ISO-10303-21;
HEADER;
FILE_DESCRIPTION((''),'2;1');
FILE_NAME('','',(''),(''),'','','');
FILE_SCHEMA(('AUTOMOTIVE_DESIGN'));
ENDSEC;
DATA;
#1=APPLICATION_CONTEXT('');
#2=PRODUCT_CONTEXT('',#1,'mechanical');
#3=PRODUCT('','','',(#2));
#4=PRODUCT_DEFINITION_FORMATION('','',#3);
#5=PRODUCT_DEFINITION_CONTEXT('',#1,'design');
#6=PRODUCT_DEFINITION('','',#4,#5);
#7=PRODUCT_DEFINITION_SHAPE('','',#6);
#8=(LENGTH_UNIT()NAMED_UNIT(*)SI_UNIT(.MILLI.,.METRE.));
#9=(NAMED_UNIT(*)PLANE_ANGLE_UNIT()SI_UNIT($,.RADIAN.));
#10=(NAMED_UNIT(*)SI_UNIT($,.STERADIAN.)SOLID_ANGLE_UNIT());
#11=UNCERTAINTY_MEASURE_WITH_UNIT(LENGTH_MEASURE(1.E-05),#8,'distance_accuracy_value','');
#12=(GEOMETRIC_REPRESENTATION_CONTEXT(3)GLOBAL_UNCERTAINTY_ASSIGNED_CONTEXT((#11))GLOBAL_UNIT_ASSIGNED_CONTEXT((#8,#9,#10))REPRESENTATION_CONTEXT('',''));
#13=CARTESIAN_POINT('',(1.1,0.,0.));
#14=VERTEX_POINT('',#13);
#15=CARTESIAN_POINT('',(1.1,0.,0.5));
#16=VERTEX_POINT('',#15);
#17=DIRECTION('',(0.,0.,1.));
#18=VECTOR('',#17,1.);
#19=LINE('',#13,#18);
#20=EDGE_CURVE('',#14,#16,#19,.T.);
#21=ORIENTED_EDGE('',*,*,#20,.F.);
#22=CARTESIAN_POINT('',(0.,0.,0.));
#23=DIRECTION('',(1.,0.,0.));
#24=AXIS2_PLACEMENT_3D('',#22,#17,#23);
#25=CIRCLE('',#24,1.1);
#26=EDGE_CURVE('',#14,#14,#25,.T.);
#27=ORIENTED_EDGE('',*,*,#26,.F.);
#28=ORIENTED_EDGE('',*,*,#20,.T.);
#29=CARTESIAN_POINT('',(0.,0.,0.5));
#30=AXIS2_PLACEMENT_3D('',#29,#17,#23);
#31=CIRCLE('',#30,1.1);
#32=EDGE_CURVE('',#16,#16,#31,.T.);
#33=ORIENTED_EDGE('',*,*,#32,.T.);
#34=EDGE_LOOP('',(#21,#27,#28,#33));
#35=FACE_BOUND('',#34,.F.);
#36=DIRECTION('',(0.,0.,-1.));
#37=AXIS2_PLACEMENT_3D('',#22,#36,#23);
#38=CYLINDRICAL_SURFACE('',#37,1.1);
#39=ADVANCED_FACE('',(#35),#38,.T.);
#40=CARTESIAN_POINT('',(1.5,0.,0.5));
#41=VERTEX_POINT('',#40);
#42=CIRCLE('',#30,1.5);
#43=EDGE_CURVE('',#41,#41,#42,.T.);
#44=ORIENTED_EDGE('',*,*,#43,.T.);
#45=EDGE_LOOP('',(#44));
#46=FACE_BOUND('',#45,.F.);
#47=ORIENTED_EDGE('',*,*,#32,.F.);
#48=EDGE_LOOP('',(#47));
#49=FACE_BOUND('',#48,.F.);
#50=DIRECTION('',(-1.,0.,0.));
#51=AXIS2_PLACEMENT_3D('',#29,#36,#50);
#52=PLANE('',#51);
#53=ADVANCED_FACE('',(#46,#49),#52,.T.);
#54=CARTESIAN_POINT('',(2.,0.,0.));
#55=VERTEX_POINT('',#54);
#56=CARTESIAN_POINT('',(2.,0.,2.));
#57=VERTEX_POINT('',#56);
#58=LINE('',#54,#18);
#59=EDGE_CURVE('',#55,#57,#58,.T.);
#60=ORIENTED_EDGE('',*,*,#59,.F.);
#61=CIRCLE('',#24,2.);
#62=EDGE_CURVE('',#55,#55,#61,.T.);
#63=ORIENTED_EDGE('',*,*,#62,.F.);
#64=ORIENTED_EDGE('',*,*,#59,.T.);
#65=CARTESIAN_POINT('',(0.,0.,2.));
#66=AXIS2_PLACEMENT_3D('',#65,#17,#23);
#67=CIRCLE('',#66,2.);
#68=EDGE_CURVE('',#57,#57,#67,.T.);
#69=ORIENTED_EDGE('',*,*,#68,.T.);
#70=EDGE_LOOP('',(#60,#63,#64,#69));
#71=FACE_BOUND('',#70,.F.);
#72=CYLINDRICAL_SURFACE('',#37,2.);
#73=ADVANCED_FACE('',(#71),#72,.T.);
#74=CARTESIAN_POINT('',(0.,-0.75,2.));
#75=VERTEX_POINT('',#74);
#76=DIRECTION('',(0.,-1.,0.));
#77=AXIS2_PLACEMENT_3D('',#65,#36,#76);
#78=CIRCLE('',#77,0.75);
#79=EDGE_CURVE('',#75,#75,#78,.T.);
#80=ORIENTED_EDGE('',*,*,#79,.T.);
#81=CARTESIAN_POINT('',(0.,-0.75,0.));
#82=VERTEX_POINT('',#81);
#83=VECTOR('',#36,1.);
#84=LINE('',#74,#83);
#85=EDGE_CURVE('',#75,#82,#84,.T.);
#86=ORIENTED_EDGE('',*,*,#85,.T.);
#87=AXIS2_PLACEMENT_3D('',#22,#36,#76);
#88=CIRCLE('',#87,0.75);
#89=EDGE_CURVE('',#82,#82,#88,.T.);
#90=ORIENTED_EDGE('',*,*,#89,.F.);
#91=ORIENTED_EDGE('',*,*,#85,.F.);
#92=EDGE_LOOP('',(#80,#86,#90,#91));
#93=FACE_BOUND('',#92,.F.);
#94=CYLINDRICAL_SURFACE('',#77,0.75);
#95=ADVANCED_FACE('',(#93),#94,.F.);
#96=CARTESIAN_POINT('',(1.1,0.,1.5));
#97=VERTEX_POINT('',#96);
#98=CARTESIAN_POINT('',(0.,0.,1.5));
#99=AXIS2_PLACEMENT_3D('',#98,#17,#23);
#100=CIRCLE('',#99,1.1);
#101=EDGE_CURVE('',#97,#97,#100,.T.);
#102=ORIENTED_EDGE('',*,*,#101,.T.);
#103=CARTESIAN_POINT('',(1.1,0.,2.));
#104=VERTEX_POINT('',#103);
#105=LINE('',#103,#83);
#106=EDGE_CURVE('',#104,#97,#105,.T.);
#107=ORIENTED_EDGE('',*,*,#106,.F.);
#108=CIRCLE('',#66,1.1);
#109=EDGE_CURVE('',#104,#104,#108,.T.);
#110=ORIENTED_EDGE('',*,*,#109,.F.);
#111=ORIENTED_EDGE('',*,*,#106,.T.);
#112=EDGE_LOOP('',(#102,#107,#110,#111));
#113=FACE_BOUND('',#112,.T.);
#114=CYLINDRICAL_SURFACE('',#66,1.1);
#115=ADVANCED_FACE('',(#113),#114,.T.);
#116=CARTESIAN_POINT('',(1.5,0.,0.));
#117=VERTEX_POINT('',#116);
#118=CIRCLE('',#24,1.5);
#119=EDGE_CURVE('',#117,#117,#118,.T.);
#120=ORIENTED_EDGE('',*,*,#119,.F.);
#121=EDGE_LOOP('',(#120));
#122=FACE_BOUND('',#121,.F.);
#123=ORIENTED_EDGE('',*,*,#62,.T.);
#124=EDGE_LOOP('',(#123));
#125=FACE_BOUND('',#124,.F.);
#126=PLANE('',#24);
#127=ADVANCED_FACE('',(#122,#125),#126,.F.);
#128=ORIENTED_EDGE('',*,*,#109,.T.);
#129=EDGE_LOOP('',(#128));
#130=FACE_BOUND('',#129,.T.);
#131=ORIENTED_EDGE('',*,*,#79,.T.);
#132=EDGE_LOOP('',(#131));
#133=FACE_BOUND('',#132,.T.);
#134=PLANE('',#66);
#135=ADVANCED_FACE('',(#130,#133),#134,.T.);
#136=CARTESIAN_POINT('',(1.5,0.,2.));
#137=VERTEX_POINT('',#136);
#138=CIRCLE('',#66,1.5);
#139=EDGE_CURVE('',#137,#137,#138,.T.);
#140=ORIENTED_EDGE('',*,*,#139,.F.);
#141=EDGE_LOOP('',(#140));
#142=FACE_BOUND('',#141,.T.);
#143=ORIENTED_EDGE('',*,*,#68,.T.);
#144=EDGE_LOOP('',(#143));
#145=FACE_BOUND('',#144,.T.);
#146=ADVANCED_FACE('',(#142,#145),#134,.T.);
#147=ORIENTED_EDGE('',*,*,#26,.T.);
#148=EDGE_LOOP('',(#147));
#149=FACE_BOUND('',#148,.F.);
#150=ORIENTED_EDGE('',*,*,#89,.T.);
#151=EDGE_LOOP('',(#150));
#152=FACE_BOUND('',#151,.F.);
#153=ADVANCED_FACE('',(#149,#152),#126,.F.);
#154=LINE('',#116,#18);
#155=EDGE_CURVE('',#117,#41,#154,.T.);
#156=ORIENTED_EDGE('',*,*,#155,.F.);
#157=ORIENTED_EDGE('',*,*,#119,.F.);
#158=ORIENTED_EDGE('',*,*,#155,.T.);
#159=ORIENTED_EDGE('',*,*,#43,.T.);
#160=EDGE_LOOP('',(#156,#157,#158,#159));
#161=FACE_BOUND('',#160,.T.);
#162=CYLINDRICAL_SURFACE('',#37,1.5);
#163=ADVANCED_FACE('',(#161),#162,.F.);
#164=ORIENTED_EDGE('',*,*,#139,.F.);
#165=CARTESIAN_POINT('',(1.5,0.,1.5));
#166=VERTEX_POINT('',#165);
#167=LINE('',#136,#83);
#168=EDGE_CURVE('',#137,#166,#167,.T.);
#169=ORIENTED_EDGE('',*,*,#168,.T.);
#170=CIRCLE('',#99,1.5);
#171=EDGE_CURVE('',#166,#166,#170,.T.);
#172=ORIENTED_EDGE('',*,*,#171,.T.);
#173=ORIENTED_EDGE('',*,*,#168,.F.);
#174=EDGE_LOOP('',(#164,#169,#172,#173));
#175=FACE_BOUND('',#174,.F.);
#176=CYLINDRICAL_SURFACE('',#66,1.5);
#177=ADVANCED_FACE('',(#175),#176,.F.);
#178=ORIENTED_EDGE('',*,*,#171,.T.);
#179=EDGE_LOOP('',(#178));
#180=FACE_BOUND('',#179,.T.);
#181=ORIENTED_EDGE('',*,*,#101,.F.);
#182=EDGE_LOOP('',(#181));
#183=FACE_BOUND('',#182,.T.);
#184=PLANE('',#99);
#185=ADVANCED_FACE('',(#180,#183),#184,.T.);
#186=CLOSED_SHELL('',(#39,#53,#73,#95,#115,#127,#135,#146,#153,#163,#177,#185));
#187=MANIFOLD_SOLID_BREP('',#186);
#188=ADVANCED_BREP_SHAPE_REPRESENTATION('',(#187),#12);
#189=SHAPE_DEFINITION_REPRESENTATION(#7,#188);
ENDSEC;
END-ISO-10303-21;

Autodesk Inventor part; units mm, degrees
ref_plane "YZ Plane" through (0, 0, 0) normal (1, 0, 0) x (0, 1, 0)
ref_plane "XZ Plane" through (0, 0, 0) normal (0, 1, 0) x (-1, 0, 0)
sketch "Sketch1" plane through (0, 0, 0) normal (0, 0, 1) x (1, 0, 0)
  circle A0 centre (0, 0) radius 2
  dimension "d0" = 4
extrude "Extrusion1" add sketch "Sketch1" along normal blind 2
hole "Hole1" at (0, 0, 2) direction (0, 0, -1) diameter 1.5 end through all
sketch "Sketch2" plane through (0, 0, 2) normal (0, 0, 1) x (1, 0, 0)
  circle A0 centre (0, 0) radius 1.5
  circle A1 centre (0, 0) radius 1.1
  dimension "d12" = 3
  dimension "d13" = 2.2
extrude "Extrusion2" cut sketch "Sketch2" against normal blind 0.5
ref_plane "Work Plane1" through (0, 0, 1) normal (0, 0, 1) x (1, 0, 0)
mirror "Mirror1" about plane through (0, 0, 1) normal (0, 0, 1) of "Extrusion2"
properties part number "bearing_1,5x4x2" material "Stainless Steel"
